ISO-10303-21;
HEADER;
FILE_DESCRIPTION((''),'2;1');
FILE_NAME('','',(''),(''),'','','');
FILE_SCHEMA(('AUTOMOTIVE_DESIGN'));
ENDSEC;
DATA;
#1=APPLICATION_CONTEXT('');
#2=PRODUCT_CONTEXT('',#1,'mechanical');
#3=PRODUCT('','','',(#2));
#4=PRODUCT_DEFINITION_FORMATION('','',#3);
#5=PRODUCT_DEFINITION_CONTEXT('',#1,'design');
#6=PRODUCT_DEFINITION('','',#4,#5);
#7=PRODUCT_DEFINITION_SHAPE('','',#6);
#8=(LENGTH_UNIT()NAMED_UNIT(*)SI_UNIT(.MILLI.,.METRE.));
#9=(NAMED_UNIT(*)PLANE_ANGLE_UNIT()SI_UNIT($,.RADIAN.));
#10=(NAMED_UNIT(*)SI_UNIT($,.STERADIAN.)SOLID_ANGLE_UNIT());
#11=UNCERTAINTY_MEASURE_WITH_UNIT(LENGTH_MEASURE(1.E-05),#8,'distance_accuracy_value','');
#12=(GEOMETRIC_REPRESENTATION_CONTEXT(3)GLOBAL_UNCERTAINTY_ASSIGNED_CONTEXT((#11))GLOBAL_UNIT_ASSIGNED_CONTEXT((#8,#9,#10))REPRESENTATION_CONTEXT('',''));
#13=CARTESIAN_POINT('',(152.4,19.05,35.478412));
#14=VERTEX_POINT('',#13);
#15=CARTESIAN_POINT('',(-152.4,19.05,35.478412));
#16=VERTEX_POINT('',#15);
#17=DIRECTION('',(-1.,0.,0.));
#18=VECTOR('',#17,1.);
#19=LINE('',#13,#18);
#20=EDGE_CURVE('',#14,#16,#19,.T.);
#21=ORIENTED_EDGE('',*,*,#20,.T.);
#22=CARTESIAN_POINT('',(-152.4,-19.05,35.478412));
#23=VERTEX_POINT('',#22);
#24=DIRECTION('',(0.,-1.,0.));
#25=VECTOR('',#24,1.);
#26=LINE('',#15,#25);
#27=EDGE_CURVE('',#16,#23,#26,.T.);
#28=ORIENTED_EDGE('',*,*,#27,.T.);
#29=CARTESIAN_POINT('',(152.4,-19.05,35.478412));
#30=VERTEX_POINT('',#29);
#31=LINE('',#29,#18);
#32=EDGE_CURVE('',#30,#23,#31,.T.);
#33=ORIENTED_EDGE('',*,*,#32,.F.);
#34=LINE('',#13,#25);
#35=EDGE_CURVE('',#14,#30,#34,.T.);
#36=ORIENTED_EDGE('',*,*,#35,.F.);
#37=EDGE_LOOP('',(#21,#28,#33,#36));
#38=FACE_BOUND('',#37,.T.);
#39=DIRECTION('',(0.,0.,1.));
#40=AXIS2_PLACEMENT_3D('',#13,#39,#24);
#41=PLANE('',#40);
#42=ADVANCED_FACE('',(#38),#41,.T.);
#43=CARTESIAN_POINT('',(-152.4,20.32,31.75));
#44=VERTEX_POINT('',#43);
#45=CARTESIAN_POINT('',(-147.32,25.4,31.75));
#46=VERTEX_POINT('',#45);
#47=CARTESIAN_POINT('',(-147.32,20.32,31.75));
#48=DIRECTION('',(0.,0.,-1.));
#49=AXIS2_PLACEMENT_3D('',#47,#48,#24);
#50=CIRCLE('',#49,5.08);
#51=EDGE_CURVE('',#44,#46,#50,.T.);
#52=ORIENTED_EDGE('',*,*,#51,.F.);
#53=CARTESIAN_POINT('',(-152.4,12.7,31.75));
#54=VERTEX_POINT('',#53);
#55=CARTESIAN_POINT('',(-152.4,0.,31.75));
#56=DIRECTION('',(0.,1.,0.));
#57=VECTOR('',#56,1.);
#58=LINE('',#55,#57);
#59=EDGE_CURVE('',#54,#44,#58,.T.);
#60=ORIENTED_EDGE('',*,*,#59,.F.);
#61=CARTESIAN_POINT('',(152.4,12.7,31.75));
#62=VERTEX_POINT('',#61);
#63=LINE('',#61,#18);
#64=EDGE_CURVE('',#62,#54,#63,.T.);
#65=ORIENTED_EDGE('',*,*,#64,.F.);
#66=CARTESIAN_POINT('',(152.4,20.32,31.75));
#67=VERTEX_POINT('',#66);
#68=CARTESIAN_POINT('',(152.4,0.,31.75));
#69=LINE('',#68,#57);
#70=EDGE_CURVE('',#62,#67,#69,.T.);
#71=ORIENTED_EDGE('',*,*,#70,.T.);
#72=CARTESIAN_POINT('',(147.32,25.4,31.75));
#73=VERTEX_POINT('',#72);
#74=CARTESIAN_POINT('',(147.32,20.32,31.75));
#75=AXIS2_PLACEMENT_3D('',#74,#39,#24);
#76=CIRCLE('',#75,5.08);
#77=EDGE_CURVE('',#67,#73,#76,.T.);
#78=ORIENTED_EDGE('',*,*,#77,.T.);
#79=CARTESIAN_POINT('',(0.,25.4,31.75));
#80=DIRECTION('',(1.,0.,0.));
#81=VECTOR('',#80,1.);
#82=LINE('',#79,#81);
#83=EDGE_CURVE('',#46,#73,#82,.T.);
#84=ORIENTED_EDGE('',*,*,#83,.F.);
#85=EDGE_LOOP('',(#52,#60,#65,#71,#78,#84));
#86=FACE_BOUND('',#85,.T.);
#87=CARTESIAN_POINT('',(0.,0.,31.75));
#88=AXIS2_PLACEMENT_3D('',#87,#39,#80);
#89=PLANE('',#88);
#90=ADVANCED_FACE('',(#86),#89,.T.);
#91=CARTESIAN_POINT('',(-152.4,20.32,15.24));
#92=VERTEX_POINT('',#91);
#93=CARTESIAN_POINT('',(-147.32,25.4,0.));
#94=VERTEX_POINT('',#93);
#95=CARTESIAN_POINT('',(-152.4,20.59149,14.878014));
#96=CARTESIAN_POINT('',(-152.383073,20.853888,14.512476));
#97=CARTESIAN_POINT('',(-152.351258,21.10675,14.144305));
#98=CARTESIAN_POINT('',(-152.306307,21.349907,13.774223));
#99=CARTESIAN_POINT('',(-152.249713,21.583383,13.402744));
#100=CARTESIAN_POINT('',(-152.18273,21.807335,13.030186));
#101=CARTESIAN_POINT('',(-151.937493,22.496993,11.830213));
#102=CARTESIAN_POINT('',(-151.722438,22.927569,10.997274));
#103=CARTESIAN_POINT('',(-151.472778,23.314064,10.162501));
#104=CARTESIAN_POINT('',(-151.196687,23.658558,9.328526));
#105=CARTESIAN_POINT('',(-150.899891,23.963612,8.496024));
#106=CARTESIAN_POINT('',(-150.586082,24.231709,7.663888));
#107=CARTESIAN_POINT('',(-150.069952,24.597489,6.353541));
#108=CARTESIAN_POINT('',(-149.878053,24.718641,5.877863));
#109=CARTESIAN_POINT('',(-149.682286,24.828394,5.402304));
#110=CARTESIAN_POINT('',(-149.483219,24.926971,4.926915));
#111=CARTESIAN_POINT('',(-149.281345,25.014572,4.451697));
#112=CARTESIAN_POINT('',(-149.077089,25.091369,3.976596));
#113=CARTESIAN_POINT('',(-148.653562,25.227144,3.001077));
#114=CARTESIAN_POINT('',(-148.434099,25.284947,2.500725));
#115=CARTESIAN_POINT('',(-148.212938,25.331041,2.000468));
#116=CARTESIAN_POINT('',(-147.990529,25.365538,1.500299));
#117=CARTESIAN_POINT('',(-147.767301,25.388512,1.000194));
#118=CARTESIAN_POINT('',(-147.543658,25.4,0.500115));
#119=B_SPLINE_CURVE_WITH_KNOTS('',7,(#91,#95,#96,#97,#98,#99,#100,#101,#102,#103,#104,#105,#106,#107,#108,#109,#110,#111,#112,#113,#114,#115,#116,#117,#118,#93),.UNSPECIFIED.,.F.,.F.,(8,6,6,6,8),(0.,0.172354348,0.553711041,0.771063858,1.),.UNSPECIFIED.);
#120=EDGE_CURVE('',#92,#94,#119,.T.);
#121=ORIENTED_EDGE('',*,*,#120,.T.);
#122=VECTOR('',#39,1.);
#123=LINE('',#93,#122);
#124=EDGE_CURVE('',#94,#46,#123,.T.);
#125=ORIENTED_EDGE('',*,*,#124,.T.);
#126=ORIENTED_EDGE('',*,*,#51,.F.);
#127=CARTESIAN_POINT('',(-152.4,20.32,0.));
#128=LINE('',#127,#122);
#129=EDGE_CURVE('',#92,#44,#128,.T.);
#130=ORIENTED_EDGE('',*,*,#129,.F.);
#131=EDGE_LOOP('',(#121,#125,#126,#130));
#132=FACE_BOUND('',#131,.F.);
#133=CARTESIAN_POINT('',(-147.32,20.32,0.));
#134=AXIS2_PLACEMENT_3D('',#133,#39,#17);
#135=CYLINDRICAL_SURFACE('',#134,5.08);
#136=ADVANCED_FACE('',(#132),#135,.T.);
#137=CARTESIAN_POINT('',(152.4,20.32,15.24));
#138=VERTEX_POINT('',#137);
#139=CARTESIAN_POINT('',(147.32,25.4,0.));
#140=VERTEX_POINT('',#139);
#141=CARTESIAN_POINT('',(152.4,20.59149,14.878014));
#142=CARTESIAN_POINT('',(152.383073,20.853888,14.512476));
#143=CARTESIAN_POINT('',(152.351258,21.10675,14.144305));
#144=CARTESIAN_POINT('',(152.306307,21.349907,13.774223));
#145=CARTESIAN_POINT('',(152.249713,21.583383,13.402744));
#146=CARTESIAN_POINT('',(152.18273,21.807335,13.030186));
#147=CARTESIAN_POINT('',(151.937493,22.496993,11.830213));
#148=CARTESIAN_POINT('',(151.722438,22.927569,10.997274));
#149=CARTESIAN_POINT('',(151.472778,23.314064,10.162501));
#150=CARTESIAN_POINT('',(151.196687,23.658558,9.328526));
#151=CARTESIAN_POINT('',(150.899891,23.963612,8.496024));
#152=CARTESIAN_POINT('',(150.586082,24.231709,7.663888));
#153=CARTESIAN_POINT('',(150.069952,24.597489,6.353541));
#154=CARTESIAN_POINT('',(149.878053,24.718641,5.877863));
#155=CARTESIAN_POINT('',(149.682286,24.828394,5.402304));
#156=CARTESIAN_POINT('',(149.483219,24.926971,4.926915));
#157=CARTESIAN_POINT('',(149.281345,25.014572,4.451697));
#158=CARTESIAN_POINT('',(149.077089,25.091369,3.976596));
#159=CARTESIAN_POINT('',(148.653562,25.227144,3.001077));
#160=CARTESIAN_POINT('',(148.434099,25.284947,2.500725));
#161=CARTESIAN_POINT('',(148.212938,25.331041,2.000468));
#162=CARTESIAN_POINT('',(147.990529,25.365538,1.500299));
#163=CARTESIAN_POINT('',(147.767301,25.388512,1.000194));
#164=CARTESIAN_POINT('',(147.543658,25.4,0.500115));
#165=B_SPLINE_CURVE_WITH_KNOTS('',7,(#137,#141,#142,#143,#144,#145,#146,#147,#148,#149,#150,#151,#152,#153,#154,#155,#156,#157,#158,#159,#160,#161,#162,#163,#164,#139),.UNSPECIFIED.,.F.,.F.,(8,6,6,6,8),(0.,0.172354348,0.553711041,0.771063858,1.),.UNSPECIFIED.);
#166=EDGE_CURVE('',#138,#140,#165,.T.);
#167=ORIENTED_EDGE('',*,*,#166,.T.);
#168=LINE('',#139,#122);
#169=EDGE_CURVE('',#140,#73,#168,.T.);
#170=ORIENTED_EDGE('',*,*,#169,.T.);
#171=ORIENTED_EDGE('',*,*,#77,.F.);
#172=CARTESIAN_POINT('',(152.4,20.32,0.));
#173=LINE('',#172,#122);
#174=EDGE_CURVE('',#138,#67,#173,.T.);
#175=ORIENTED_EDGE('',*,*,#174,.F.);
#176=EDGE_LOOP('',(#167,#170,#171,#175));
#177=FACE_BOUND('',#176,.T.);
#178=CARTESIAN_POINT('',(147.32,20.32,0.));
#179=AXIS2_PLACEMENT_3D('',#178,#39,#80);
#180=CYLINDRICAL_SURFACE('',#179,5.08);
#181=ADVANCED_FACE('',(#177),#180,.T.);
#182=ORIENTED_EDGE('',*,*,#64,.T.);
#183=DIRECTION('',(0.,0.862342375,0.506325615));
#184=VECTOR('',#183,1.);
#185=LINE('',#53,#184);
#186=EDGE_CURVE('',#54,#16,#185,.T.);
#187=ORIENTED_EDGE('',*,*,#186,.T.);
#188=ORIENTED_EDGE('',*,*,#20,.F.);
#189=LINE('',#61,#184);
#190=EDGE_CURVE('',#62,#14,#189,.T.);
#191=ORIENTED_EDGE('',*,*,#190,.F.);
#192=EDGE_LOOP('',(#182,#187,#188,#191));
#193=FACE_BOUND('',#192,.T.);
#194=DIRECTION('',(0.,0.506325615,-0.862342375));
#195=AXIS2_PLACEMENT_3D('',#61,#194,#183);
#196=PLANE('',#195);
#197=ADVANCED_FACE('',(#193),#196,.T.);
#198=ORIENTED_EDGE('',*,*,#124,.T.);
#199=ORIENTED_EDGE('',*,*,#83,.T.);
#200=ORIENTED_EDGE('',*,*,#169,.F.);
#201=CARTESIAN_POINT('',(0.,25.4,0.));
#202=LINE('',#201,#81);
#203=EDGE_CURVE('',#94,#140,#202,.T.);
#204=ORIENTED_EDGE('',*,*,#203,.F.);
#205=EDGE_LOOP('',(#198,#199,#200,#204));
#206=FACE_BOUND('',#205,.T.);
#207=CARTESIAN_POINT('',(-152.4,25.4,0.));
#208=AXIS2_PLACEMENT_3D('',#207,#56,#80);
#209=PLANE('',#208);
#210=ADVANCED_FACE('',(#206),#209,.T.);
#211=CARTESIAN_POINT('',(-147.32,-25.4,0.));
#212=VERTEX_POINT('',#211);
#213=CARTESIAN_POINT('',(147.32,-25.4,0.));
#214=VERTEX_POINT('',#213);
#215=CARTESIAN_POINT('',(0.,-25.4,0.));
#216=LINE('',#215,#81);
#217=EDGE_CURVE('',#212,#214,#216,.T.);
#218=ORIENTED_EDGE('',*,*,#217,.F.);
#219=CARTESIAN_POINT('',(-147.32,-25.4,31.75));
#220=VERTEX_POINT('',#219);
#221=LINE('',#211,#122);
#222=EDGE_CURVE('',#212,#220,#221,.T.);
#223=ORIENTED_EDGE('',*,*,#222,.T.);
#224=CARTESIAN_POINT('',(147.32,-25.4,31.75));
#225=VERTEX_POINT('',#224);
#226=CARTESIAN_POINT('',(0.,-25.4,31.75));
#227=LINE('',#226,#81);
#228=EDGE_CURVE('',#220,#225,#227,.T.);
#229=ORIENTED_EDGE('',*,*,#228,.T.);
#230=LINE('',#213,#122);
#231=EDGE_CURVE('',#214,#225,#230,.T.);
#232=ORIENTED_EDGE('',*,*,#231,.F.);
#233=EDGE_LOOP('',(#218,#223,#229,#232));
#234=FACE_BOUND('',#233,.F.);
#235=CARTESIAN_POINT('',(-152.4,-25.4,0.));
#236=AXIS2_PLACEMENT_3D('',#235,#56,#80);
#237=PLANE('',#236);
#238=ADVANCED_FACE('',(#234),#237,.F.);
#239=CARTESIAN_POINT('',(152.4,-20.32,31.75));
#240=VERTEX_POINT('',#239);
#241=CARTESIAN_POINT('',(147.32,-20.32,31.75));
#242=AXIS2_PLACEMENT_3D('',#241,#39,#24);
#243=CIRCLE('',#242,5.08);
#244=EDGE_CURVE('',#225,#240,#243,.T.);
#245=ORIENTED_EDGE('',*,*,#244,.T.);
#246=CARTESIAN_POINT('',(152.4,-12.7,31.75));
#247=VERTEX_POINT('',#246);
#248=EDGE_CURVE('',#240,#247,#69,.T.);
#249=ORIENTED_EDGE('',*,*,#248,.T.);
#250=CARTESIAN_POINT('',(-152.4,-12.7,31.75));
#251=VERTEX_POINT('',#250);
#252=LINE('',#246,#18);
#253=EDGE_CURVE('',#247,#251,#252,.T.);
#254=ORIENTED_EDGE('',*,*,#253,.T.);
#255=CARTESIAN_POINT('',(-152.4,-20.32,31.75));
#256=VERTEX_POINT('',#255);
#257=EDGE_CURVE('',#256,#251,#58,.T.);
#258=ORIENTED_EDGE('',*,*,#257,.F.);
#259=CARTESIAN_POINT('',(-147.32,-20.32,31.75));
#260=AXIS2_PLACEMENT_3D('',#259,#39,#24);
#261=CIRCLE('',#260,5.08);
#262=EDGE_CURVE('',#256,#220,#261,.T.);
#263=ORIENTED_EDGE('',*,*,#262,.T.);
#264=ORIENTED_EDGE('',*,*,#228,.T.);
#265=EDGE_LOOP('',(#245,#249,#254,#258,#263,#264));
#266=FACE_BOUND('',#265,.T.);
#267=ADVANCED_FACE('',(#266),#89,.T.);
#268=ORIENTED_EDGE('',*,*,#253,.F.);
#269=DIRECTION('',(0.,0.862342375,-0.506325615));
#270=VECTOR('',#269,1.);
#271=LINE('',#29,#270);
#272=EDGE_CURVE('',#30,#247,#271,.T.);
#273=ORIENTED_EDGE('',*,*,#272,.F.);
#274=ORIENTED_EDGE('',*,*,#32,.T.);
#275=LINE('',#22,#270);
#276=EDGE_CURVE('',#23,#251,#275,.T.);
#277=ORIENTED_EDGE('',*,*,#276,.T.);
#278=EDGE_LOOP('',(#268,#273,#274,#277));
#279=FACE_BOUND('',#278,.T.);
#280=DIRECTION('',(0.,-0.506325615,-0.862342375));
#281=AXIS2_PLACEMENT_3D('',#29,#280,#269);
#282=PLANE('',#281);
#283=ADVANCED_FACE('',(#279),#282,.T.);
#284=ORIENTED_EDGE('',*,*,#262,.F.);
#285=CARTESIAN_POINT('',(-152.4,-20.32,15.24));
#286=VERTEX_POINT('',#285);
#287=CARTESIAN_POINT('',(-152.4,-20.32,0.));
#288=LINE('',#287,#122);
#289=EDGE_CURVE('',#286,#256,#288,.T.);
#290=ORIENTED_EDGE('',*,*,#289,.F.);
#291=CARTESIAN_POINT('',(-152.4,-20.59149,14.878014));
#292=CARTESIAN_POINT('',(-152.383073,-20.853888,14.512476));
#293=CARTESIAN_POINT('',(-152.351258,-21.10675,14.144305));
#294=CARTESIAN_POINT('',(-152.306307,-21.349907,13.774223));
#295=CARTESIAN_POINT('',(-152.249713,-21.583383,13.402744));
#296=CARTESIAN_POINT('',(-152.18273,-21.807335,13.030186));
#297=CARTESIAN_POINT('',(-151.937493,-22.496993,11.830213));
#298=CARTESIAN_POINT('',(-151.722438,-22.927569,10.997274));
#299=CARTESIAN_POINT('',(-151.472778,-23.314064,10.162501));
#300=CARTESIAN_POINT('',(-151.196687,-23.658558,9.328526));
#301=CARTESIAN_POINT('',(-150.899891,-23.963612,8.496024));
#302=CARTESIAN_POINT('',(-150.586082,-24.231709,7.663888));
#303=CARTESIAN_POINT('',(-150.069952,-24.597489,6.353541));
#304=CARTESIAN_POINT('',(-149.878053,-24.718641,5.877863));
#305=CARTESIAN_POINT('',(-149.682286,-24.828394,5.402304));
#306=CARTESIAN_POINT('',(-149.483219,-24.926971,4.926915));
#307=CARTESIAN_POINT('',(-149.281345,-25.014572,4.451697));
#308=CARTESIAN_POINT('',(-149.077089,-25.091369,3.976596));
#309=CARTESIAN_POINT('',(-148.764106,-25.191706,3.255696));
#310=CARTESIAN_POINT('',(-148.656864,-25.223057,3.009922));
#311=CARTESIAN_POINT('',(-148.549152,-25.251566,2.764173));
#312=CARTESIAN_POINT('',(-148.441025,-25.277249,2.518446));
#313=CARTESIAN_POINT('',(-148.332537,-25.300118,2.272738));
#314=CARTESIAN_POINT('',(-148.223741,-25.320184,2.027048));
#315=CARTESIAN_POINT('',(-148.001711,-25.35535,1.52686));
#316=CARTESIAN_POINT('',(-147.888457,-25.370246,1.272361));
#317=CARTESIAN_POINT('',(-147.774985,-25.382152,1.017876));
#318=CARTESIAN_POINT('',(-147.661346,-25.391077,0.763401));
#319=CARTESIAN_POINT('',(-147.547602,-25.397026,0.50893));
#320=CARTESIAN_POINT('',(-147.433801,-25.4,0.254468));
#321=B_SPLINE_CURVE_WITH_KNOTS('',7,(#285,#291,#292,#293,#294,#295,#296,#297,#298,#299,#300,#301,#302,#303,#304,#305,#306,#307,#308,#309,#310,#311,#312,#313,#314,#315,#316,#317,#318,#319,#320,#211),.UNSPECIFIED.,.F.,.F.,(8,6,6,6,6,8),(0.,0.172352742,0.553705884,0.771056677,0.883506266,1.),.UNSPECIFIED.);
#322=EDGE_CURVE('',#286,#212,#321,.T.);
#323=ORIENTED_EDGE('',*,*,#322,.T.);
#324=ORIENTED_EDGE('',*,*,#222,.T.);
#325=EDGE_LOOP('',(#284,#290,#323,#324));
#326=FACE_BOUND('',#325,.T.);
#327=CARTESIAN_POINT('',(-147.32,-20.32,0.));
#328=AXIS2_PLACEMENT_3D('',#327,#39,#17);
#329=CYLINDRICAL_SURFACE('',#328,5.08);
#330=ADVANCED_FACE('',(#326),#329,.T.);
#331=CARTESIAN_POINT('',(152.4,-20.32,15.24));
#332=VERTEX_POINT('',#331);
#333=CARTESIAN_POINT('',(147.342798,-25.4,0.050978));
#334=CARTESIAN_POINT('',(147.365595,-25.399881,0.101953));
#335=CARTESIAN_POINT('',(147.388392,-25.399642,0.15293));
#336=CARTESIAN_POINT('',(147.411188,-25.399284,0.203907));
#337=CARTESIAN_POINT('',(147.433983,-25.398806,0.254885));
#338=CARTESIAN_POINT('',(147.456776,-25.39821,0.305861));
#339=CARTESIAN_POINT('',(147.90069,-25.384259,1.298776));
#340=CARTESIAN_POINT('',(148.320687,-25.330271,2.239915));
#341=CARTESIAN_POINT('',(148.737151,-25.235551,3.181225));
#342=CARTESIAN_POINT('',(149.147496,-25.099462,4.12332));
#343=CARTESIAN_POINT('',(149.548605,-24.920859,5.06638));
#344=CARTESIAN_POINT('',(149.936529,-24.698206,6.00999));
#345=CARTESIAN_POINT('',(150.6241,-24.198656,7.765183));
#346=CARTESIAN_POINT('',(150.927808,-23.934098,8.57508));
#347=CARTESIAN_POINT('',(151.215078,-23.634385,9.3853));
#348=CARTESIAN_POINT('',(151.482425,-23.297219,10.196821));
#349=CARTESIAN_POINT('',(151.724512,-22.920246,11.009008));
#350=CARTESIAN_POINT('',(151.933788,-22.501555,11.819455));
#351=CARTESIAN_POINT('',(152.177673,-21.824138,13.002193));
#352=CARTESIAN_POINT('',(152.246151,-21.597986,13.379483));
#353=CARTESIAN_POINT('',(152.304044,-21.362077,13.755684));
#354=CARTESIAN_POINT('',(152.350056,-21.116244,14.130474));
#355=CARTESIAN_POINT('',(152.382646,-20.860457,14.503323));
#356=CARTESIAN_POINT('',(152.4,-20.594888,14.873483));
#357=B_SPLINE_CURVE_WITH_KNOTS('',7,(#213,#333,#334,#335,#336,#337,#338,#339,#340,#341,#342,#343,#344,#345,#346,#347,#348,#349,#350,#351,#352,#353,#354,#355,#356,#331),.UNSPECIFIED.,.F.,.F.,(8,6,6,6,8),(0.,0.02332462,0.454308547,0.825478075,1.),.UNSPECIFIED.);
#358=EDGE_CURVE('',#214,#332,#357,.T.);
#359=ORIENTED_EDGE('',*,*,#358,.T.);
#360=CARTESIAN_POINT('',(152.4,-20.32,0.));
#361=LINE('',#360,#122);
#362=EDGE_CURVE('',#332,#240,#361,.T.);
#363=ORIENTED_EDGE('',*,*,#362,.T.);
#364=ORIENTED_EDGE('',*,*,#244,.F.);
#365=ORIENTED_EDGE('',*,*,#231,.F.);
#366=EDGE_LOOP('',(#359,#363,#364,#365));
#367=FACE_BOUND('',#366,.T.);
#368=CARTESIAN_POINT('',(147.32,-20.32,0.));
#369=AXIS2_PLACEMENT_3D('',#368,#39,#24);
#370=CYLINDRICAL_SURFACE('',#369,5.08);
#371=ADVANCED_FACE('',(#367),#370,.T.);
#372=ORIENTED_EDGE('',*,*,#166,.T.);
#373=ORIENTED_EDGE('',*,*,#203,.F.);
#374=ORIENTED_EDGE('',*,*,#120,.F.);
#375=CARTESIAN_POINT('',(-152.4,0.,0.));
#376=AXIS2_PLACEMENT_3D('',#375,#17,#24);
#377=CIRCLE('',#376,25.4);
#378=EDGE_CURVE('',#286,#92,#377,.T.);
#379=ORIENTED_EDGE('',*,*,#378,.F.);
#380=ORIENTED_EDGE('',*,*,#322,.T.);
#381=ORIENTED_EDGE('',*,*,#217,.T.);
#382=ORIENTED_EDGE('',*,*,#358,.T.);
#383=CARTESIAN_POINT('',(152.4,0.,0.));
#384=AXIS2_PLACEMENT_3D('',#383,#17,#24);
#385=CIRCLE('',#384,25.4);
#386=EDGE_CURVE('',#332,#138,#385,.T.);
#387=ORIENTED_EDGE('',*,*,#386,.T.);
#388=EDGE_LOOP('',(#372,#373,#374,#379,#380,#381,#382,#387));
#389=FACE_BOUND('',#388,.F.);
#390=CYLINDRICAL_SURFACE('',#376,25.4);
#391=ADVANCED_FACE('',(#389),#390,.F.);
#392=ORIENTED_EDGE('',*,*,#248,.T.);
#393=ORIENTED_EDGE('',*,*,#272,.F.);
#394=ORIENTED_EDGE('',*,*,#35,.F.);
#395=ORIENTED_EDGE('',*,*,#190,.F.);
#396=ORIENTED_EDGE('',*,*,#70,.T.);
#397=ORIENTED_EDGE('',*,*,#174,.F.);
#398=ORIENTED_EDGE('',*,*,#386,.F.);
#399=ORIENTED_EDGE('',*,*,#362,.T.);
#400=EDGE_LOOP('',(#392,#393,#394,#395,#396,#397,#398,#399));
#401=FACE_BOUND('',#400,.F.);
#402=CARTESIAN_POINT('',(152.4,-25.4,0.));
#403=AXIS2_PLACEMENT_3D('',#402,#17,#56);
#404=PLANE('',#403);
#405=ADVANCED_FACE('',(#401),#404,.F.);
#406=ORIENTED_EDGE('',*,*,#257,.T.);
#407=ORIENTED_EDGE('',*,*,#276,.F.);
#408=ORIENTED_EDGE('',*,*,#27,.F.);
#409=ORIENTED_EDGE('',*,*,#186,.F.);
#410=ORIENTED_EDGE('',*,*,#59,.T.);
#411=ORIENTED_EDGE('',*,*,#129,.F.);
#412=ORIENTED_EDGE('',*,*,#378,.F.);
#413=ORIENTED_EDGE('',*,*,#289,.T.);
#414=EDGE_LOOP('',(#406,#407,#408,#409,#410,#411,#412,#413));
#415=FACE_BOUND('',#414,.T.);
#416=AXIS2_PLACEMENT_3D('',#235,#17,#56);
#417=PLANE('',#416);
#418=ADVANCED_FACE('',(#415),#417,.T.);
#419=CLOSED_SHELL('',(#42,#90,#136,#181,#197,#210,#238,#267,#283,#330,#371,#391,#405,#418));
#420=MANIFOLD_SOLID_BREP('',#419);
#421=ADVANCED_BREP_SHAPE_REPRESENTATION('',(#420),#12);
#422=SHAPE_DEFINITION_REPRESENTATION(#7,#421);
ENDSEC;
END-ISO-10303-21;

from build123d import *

# Parameters (mm, degrees)
F0_W     = 304.8
F0_H     = 50.8
F1_DEPTH = 31.75
F2_R     = 5.08
F4_DEPTH = 304.801
F6_DEPTH = 304.8


with BuildPart() as f1:
    # F0 (on Top) → F1 (new body)
    with BuildSketch(Plane.XY):
        Rectangle(F0_W, F0_H)
    extrude(amount=F1_DEPTH)

    # F2
    f2_edges = [f1.edges().sort_by_distance(p)[0] for p in [
        (-152.4, 25.4, 15.875),
        (-152.4, -25.4, 15.875),
        (152.4, 25.4, 15.875),
        (152.4, -25.4, 15.875),
    ]]
    fillet(f2_edges, radius=F2_R)

    # F3 (on face) → F4 (cut, through all)
    with BuildSketch(Plane(origin=(-152.4, 0, 0), x_dir=(0, -1, 0), z_dir=(-1, 0, 0))):
        with BuildLine():
            Line((-25.4, 0), (25.4, 0))
            ThreePointArc((25.4, 0), (0, 25.4), (-25.4, 0))
        make_face()
    extrude(amount=-F4_DEPTH, mode=Mode.SUBTRACT)

    # F5 (on face) → F6 (join, through all)
    with BuildSketch(Plane.YZ.offset(152.4)):
        Polygon((-12.7, 31.75), (0, 31.75), (12.7, 31.75), (19.05, 35.478412), (-19.05, 35.478412), align=None)
    extrude(amount=-F6_DEPTH)


solid = f1.part
